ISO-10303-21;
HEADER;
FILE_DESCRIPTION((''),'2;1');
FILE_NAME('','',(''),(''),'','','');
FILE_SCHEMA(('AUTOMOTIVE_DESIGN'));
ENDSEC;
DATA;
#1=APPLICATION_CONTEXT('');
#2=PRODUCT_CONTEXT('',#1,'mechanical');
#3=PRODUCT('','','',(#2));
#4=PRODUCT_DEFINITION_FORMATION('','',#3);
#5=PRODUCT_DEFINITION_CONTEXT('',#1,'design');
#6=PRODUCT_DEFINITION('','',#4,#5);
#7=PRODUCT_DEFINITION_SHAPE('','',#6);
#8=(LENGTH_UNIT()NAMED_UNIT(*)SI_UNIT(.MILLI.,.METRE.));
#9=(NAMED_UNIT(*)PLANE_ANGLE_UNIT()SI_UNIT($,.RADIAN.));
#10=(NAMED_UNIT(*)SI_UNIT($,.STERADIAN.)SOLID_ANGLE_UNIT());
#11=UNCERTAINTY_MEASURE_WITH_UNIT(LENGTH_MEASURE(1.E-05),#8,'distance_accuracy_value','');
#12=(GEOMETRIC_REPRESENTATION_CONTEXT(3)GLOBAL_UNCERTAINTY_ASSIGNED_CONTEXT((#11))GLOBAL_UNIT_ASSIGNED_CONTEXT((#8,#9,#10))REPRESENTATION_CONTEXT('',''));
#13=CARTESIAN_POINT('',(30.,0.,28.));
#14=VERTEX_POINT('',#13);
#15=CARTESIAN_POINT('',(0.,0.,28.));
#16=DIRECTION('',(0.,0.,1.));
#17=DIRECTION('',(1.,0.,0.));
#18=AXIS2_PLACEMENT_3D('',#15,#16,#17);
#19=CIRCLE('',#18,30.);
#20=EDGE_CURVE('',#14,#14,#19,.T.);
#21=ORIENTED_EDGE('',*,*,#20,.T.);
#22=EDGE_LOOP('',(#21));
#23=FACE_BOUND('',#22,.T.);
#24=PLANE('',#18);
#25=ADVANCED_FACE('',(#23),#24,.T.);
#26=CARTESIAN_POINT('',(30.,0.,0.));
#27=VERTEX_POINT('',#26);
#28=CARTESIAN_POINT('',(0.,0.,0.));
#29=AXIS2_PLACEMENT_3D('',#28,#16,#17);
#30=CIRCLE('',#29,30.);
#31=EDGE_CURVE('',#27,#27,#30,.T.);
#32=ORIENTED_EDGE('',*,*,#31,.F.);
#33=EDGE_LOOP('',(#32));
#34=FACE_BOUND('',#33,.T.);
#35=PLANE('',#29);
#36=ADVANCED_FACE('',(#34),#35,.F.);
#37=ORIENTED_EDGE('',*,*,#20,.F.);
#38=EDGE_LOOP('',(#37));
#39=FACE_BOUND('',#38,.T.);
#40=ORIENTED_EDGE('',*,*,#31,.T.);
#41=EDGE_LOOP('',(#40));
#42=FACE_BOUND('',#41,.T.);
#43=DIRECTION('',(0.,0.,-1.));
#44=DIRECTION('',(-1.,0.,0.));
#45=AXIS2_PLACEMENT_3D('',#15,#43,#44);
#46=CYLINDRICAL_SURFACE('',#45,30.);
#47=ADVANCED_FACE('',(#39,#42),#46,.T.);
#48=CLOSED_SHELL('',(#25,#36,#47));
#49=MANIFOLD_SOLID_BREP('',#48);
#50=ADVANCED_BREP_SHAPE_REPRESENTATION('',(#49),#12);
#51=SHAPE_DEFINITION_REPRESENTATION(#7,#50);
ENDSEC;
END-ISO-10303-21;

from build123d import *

# Parameters (mm, degrees)
SKETCH_1_R                      = 30
WHEEL_WIDTH28_PLACEHOLDER_DEPTH = 28


with BuildPart() as part:
    # 草图1 → Wheel_width28_PLACEHOLDER (new body)
    with BuildSketch(Plane.XY):
        Circle(SKETCH_1_R)
    extrude(amount=WHEEL_WIDTH28_PLACEHOLDER_DEPTH)


solid = part.part
